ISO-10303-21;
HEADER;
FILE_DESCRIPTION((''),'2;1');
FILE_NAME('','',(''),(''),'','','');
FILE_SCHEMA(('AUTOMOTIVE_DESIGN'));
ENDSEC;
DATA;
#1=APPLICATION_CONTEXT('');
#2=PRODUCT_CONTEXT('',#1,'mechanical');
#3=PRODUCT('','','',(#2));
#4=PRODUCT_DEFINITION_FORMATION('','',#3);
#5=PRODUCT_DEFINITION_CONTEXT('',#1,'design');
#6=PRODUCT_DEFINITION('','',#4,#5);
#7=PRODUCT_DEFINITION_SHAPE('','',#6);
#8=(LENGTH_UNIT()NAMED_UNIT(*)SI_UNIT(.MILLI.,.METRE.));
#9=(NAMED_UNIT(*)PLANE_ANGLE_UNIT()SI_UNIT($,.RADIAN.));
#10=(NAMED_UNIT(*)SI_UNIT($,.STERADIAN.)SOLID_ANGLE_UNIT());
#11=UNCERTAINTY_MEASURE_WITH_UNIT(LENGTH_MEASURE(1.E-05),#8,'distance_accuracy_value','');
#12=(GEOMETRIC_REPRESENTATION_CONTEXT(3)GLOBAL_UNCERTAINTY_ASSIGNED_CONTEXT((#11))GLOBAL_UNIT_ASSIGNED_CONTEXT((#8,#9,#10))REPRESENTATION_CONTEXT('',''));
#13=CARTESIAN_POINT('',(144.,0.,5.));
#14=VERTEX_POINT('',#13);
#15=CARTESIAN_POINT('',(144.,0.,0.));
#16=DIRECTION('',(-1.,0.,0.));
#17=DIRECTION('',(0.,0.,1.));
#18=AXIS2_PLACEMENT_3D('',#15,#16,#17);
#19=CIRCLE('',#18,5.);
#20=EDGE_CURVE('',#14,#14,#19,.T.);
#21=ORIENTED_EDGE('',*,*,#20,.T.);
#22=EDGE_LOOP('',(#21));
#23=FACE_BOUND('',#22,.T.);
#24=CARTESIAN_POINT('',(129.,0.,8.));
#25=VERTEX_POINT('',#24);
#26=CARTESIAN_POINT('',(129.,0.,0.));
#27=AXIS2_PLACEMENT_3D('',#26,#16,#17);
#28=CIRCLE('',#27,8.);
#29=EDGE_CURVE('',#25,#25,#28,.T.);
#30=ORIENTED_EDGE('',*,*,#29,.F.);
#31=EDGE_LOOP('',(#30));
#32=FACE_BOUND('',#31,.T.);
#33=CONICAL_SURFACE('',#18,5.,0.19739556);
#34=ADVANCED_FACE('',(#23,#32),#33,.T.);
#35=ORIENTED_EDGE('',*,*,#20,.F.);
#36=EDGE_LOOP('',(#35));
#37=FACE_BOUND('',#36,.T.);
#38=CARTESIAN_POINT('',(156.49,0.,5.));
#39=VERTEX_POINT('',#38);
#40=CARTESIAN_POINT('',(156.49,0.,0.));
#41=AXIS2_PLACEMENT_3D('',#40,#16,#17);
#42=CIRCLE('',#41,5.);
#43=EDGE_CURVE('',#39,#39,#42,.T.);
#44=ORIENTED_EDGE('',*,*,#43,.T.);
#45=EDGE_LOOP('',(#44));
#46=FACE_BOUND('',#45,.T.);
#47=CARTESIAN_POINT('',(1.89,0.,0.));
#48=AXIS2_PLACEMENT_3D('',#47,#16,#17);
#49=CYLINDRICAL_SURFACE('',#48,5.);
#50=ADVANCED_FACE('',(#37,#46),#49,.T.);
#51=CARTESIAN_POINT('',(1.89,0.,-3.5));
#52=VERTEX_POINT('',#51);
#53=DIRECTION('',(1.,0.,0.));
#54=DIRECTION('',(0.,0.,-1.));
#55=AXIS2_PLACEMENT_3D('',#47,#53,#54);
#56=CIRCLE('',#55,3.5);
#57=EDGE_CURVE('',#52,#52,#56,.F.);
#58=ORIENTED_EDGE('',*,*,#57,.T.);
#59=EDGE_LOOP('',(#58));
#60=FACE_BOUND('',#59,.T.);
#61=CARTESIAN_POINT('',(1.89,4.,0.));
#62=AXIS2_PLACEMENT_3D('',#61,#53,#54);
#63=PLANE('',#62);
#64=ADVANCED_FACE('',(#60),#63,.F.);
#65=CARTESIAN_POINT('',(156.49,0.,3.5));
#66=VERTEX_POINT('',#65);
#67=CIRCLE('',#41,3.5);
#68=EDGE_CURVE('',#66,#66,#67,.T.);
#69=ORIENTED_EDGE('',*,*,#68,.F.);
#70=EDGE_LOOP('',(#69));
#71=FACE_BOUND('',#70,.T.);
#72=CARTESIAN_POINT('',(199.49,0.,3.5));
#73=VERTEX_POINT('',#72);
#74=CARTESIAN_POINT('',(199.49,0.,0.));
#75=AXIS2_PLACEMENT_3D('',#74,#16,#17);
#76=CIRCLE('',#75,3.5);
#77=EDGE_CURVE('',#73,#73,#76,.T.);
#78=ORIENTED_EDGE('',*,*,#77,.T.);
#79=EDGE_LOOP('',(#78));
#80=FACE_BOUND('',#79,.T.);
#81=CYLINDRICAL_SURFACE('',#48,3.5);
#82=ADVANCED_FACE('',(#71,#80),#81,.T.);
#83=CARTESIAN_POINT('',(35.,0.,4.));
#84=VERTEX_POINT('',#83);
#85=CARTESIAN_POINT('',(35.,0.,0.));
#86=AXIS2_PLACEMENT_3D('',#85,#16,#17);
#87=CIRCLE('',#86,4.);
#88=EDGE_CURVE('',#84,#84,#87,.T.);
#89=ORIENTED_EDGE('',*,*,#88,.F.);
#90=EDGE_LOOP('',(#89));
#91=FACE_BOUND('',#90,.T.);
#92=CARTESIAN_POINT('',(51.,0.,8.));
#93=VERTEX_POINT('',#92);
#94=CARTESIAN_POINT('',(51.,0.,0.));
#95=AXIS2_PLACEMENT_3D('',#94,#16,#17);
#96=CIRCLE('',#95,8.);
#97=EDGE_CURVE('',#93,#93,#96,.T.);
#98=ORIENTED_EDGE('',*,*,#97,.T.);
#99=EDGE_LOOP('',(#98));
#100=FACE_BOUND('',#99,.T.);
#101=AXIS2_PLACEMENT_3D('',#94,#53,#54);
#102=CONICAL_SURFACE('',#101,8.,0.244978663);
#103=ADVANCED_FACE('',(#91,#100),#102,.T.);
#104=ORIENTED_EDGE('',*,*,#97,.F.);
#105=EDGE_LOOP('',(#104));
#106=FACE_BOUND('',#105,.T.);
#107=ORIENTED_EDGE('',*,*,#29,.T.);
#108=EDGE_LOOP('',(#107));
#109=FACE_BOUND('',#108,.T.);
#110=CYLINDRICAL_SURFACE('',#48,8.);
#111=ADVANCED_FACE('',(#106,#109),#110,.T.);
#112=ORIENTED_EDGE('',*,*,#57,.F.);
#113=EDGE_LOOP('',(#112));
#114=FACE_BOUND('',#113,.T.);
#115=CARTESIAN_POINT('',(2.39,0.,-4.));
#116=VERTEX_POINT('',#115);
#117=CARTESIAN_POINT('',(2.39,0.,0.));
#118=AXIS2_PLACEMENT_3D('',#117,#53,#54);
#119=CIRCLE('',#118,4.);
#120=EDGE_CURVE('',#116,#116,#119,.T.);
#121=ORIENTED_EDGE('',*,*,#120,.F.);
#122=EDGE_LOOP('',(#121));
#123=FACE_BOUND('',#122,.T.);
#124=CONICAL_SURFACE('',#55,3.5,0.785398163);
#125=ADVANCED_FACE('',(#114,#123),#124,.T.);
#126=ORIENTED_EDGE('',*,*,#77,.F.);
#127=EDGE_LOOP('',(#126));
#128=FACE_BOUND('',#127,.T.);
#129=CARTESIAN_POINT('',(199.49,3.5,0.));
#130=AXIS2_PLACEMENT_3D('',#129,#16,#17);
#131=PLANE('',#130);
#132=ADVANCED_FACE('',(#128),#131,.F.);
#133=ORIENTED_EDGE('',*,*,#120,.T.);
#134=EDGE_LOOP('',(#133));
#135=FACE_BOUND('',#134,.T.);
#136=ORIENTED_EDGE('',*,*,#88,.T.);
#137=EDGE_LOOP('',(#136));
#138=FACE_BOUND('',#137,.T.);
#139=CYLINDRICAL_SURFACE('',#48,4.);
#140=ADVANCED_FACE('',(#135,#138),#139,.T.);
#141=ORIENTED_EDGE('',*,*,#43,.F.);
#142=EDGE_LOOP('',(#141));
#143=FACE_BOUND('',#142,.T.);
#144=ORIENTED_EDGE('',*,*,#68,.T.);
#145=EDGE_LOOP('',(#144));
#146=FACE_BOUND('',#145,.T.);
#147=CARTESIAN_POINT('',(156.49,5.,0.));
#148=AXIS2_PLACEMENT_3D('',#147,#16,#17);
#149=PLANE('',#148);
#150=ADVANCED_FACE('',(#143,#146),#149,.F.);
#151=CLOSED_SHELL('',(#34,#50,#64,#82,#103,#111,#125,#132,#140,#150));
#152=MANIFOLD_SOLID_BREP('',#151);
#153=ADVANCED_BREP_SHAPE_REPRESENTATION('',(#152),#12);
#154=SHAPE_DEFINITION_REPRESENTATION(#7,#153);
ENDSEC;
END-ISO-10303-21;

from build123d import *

# Parameters (mm, degrees)
PAH1_SIZE = 0.5


with BuildPart() as part:
    # Çizim1 → Döndür1 (revolve)
    with BuildSketch(Plane.XY, mode=Mode.PRIVATE) as d_nd_r1_sk:
        Polygon((1.89, 4), (35, 4), (51, 8), (129, 8), (144, 5), (154.5, 5), (156.49, 5), (156.49, 3.5), (198.5, 3.5), (199.49, 3.5), (199.49, 0), (198.5, 0), (1.89, 0), align=None)
    revolve(d_nd_r1_sk.sketch.rotate(Axis((1.89, 0, 0), (1, 0, 0)), 90), axis=Axis((1.89, 0, 0), (1, 0, 0)))

    # Pah1
    pah1_edges = [part.edges().sort_by_distance(p)[0] for p in [
        (1.89, 0, -4),
    ]]
    chamfer(pah1_edges, length=PAH1_SIZE)


solid = part.part
